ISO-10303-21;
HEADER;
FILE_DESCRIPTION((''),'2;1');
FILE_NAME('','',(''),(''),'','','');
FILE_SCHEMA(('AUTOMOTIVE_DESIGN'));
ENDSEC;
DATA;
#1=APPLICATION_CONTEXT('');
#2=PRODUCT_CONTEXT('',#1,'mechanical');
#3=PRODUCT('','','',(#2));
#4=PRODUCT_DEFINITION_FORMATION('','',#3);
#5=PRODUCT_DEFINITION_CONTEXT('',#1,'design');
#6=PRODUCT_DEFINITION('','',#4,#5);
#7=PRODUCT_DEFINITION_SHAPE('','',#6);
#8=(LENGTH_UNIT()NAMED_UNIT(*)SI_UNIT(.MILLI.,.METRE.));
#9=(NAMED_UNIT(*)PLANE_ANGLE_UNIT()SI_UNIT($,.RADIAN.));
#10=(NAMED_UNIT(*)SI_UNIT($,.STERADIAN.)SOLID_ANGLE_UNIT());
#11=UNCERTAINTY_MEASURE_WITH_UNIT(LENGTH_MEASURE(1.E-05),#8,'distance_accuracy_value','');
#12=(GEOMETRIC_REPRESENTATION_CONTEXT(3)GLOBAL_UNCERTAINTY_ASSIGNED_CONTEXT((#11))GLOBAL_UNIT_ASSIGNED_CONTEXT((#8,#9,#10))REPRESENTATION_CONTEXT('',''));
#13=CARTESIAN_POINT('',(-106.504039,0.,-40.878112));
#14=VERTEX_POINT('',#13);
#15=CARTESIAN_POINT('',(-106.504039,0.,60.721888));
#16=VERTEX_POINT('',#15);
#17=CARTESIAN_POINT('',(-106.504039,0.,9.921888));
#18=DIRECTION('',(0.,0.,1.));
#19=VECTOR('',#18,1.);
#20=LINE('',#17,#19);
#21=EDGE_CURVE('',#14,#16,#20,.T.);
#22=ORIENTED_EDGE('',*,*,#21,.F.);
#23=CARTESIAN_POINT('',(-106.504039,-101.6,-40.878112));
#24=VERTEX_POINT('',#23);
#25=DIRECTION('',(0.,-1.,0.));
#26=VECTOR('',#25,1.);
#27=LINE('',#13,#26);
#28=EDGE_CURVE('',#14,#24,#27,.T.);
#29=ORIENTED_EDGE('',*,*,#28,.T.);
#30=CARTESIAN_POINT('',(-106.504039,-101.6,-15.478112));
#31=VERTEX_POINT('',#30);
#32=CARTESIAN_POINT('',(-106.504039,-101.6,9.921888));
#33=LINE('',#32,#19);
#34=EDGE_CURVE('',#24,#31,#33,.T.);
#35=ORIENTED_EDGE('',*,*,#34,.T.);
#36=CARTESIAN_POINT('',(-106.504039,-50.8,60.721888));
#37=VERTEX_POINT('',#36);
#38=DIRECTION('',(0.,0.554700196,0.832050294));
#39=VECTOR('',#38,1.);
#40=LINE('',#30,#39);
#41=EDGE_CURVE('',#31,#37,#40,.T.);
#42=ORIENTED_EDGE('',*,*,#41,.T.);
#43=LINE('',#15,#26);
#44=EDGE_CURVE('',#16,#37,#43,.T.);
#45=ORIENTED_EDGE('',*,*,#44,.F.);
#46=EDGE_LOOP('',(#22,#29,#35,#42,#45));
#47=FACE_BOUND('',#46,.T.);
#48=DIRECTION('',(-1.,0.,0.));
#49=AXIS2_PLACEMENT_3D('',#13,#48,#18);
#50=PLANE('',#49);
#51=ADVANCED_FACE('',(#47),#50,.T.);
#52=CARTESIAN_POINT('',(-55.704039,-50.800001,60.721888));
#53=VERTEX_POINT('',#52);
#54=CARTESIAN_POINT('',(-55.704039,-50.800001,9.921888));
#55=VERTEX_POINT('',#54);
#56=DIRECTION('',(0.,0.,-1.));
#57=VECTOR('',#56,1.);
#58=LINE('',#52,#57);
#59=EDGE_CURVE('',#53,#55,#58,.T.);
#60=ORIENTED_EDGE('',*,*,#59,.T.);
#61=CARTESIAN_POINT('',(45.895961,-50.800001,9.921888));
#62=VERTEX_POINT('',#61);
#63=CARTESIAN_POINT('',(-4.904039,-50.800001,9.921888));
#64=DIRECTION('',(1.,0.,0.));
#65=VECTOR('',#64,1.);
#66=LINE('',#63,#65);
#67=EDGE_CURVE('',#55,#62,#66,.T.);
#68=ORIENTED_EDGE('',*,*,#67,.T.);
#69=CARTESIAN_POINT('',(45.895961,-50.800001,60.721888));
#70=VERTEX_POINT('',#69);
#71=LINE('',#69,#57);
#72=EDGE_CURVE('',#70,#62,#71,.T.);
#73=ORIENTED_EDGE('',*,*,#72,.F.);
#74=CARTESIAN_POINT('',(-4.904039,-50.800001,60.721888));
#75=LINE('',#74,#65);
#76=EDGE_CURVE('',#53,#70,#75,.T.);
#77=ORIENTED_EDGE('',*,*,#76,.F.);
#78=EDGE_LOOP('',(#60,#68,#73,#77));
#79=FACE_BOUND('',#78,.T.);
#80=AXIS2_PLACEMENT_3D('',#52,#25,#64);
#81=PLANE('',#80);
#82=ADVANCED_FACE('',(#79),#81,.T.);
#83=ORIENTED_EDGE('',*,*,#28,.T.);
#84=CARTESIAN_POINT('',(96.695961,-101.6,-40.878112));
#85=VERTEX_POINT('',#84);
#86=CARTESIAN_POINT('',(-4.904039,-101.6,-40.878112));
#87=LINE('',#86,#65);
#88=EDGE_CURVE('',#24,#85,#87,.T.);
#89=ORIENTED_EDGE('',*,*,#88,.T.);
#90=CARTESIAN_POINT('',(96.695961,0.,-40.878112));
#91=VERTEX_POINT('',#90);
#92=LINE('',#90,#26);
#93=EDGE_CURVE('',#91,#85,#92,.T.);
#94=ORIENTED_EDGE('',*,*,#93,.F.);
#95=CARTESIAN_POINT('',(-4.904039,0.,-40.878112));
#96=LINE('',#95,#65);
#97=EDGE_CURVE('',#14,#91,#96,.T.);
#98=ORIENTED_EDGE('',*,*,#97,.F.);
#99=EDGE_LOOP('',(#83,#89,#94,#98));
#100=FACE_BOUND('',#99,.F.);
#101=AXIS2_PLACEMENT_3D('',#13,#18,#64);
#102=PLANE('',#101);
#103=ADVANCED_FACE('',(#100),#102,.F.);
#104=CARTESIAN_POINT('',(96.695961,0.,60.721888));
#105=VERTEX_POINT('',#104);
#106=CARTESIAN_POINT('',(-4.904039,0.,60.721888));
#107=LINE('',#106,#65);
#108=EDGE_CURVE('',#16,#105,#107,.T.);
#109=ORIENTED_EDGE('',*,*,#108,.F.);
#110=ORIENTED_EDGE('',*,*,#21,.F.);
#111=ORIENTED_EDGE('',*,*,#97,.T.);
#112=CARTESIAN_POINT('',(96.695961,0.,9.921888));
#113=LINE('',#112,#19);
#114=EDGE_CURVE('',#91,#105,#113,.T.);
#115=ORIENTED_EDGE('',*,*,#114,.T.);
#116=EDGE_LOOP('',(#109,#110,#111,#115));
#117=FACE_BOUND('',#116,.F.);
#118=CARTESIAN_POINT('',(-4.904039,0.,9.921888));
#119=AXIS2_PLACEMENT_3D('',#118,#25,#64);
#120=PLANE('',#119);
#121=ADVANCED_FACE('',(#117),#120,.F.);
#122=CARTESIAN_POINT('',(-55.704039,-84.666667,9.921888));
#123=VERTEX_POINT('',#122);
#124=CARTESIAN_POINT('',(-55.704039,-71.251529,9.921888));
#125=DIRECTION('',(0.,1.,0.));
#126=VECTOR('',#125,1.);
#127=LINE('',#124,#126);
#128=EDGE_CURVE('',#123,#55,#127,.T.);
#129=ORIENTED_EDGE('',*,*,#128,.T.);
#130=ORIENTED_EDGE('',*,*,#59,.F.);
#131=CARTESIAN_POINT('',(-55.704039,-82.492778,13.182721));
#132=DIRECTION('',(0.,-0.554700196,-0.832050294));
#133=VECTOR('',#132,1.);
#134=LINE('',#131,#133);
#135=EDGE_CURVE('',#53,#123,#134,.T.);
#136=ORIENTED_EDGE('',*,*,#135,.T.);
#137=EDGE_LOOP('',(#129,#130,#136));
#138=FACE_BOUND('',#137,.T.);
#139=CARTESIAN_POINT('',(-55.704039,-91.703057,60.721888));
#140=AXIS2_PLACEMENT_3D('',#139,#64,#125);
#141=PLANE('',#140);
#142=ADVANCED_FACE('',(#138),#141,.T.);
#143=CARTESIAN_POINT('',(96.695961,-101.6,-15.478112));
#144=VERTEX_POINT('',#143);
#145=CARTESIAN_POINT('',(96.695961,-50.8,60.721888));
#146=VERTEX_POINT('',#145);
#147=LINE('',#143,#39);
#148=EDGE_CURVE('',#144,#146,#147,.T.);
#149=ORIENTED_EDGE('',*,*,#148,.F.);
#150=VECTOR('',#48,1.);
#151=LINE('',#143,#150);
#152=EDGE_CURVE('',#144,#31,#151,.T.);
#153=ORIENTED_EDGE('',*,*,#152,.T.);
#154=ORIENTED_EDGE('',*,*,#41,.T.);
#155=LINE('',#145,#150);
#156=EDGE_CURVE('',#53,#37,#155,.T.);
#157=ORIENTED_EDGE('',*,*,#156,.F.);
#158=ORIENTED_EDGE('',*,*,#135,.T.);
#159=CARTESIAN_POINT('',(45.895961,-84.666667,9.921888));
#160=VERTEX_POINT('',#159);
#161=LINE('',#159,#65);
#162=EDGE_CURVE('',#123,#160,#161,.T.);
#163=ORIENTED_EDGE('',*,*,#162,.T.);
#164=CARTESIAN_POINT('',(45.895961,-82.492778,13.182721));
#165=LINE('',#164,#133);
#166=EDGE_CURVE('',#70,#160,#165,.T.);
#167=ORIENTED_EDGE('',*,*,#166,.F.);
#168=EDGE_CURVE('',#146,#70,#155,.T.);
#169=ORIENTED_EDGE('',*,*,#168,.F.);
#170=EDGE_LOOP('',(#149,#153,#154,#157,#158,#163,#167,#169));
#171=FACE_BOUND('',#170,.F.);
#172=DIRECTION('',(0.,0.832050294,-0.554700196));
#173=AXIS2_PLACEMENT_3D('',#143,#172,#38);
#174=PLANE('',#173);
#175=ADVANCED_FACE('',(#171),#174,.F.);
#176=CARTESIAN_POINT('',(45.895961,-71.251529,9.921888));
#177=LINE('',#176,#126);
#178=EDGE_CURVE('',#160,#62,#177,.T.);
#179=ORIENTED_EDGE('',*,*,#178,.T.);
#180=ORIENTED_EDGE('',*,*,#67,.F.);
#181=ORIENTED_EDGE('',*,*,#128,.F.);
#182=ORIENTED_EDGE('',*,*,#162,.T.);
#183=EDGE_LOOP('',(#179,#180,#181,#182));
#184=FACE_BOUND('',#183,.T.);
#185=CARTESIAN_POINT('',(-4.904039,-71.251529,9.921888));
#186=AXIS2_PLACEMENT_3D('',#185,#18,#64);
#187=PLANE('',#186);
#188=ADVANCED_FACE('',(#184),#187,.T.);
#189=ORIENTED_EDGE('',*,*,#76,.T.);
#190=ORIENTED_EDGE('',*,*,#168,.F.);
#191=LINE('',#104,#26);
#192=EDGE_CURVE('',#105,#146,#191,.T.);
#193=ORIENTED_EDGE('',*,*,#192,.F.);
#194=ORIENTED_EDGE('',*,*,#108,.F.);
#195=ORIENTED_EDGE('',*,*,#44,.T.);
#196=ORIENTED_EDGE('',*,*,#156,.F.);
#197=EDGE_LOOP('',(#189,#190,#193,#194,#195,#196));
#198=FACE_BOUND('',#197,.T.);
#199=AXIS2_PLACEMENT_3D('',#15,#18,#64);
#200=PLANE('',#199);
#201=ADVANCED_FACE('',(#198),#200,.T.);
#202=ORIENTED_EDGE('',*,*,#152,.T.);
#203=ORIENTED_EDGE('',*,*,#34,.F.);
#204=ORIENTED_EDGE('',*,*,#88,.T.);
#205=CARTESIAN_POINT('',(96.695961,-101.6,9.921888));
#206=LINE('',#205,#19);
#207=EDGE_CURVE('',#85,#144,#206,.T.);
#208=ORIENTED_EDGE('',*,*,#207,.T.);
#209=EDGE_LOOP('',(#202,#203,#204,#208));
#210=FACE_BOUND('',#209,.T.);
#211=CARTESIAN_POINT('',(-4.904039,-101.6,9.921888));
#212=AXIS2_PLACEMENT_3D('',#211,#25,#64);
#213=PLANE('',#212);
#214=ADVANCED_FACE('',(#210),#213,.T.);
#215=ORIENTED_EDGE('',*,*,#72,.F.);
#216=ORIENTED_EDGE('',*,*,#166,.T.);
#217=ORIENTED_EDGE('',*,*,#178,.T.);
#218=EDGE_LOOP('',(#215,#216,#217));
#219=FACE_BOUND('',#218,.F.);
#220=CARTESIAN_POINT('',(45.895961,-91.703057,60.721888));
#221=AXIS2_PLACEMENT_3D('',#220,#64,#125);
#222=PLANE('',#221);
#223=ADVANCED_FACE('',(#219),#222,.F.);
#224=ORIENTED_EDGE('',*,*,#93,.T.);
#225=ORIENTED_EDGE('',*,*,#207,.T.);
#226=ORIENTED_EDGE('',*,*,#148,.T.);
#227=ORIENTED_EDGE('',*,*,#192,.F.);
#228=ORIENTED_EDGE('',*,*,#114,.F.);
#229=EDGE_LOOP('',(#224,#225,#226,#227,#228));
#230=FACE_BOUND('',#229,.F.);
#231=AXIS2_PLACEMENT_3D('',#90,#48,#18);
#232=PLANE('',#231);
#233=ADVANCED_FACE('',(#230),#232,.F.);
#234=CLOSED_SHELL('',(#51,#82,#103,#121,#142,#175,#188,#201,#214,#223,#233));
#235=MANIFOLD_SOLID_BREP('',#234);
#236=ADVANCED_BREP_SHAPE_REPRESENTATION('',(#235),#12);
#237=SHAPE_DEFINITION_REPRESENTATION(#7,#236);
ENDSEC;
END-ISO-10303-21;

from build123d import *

# Parameters (mm, degrees)
F0_W     = 203.2
F0_H     = 101.6
F1_DEPTH = 101.6
F3_DEPTH = 203.2
F4_W     = 101.6
F4_H     = 40.903057
F5_DEPTH = 50.8


with BuildPart() as f1:
    # F0 (on Front) → F1 (new body)
    with BuildSketch(Plane.XZ):
        with Locations((-4.904039, 9.921888)):
            Rectangle(F0_W, F0_H)
    extrude(amount=F1_DEPTH)

    # F2 (on face) → F3 (cut)
    with BuildSketch(Plane.YZ.offset(96.695961)):
        Polygon((-101.6, 60.721888), (-101.6, -15.478112), (-50.8, 60.721888), align=None)
    extrude(amount=-F3_DEPTH, mode=Mode.SUBTRACT)

    # F4 (on face) → F5 (cut)
    with BuildSketch(Plane.XY.offset(60.721888)):
        with Locations((-4.904039, -71.251529)):
            Rectangle(F4_W, F4_H)
    extrude(amount=-F5_DEPTH, mode=Mode.SUBTRACT)


solid = f1.part
